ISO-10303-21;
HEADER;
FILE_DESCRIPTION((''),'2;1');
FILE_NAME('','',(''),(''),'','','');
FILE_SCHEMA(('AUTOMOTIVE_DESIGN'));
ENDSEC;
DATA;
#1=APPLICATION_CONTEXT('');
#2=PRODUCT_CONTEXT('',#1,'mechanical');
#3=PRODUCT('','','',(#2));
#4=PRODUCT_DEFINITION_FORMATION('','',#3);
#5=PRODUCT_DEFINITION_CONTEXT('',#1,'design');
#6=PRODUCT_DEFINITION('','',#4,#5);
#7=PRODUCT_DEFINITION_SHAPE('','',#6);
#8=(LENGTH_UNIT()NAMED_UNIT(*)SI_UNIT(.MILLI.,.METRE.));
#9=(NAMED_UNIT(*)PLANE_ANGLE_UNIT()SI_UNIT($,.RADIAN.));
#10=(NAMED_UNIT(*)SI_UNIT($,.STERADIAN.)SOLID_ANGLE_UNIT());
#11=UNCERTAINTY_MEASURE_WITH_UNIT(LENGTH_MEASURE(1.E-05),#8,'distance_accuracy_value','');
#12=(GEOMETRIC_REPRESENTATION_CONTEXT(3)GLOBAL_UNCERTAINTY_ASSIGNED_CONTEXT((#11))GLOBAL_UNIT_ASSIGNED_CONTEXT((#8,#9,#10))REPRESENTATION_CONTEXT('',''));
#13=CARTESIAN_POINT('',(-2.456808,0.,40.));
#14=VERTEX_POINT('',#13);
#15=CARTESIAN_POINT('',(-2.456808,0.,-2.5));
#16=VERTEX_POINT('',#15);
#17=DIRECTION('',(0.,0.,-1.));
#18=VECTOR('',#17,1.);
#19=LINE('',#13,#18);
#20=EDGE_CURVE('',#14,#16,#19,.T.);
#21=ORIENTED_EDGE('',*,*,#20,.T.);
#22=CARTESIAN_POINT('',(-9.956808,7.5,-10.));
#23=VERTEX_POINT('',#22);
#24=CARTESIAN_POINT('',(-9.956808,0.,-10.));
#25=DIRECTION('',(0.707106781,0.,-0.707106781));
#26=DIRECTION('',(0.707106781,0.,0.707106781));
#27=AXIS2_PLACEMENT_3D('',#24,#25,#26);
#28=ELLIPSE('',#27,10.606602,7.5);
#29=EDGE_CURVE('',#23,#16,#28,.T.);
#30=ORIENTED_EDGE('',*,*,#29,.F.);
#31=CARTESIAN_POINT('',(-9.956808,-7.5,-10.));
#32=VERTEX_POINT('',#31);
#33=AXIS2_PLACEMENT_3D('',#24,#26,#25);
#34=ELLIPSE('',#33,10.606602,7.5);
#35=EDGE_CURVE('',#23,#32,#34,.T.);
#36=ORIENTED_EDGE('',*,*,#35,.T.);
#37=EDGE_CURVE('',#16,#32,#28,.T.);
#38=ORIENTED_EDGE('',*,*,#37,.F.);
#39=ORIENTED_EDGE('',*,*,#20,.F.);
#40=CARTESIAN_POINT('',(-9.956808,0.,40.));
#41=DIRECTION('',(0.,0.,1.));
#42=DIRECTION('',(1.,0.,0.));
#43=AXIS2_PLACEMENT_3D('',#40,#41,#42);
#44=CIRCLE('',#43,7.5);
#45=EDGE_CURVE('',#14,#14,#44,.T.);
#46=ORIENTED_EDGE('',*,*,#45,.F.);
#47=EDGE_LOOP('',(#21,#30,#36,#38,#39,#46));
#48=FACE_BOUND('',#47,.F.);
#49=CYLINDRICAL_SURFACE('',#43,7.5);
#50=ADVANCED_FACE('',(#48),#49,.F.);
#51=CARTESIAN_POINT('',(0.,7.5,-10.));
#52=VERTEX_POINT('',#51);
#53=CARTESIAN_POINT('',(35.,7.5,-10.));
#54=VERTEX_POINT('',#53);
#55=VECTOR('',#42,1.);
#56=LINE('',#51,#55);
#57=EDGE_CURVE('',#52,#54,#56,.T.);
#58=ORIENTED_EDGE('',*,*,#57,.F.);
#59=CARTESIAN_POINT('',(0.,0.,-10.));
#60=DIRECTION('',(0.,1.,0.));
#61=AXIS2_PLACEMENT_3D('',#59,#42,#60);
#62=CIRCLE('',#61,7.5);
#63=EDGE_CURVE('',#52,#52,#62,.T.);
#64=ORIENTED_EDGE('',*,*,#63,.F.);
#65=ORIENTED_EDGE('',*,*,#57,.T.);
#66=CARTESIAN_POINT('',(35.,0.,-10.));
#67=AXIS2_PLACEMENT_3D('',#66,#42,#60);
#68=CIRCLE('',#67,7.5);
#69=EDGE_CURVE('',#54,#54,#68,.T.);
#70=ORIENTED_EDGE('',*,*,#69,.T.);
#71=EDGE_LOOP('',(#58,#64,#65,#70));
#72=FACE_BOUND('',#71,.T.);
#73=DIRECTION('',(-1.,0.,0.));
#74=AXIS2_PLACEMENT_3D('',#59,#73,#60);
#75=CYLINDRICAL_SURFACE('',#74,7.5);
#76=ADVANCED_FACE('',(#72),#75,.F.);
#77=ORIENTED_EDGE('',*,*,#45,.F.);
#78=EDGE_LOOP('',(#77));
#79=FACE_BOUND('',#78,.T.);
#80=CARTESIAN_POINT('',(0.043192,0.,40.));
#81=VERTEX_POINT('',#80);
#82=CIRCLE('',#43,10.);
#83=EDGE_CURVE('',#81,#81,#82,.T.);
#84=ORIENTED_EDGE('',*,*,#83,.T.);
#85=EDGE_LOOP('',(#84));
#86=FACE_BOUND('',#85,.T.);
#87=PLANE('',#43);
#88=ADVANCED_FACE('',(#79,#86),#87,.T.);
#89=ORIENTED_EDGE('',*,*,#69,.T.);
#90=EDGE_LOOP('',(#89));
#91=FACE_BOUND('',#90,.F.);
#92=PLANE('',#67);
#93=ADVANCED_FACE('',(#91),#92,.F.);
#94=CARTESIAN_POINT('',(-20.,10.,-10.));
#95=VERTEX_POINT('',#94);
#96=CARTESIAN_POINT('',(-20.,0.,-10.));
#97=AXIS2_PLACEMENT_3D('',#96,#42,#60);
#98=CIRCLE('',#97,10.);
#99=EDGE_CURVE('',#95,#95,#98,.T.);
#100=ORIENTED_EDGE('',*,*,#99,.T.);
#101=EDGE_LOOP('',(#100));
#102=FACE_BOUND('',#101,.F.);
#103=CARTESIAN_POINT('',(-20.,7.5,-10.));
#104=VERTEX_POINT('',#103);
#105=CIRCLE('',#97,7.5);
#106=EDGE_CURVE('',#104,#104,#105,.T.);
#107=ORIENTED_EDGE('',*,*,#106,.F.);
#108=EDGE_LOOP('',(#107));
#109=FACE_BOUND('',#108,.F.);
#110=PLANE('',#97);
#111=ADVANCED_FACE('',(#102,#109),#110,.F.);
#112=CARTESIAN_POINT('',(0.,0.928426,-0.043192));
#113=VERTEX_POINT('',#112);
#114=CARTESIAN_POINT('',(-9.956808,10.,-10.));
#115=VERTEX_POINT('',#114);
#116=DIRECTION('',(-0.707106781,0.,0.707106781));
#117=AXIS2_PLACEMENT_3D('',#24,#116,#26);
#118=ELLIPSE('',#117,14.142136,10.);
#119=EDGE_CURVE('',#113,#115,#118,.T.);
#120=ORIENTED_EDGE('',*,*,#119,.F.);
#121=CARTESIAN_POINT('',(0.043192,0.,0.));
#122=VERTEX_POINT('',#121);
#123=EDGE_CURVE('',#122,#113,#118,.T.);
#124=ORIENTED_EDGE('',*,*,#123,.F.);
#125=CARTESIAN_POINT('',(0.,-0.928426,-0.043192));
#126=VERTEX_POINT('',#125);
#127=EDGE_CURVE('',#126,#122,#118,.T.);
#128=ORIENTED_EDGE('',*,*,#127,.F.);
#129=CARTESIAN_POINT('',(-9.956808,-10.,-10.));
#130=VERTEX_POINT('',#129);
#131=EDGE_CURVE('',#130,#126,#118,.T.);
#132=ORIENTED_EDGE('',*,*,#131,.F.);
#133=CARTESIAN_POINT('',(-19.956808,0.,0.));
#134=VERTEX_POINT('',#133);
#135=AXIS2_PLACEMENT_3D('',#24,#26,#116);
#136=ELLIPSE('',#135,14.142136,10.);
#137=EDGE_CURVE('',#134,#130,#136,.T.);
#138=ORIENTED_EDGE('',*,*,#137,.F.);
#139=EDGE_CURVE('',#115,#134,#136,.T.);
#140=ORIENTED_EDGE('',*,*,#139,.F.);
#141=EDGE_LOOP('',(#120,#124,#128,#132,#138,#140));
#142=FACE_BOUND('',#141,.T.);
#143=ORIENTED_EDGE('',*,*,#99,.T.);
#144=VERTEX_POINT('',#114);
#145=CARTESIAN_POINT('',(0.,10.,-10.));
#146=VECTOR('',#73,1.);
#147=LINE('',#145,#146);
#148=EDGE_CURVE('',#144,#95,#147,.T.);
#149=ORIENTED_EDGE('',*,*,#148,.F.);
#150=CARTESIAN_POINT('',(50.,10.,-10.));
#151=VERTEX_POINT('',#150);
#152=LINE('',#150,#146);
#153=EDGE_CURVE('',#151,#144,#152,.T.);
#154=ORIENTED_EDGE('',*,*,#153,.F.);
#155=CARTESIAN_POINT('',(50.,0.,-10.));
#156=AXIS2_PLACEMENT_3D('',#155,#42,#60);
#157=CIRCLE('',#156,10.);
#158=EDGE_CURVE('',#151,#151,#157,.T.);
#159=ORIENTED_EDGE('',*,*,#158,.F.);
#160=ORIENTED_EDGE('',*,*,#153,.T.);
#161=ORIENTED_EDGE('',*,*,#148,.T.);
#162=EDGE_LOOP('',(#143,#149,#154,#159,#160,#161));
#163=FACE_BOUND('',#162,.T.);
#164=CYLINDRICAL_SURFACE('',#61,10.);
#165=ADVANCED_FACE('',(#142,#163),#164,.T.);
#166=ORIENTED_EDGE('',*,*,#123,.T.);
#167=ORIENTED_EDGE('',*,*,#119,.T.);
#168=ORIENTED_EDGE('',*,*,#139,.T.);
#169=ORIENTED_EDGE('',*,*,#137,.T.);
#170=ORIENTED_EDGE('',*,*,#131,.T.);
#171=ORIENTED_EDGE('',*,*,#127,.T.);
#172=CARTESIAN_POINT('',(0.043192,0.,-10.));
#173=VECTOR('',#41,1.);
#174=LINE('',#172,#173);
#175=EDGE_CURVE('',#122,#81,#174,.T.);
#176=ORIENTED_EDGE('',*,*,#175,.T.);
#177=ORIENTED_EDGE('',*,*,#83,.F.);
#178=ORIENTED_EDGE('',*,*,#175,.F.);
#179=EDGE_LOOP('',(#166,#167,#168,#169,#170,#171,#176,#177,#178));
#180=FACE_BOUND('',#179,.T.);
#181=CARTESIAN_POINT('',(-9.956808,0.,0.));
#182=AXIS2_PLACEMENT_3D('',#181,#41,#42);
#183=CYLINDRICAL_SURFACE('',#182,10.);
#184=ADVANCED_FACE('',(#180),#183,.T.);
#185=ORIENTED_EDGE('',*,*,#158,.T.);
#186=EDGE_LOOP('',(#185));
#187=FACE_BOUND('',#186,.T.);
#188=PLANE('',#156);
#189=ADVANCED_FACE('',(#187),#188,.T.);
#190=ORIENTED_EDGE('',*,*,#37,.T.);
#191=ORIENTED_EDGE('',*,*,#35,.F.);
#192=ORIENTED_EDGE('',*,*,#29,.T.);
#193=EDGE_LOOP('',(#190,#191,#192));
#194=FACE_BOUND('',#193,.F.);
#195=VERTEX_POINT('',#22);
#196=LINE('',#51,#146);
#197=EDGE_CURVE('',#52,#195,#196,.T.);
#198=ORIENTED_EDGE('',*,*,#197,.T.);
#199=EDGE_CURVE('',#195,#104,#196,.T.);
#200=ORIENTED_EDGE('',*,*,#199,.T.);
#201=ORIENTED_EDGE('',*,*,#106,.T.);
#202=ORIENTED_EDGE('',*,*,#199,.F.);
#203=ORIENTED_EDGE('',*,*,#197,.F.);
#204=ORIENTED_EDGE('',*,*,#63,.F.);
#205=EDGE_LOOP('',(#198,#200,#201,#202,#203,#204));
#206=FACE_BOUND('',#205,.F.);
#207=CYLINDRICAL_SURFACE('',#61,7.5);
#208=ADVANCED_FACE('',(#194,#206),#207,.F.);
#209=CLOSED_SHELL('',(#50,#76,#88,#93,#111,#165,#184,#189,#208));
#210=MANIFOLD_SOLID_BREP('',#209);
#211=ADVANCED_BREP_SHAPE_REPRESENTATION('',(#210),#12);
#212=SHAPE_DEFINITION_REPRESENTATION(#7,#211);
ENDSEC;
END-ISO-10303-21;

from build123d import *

# Parameters (mm, degrees)
F0_R          = 10
F1_DEPTH      = 40
F1_DEPTH_BACK = 10
F2_R          = 10
F3_DEPTH      = 50
F3_DEPTH_BACK = 20
F4_R          = 7.5
F5_DEPTH      = 35
F5_DEPTH_BACK = 25
F6_R          = 7.5
F7_DEPTH      = 50


with BuildPart() as f1:
    # F0 (on Top) → F1 (new body, two sides)
    with BuildSketch(Plane.XY) as f1_sk:
        with Locations((-9.956808, 0)):
            Circle(F0_R)
    extrude(amount=F1_DEPTH)
    extrude(f1_sk.sketch, amount=-F1_DEPTH_BACK)

    # F2 (on Right) → F3 (join, two sides)
    with BuildSketch(Plane.YZ) as f3_sk:
        with Locations((0, -10)):
            Circle(F2_R)
    extrude(amount=F3_DEPTH)
    extrude(f3_sk.sketch, amount=-F3_DEPTH_BACK)

    # F4 (on Right) → F5 (cut, two sides)
    with BuildSketch(Plane.YZ) as f5_sk:
        with Locations((0, -10)):
            Circle(F4_R)
    extrude(amount=F5_DEPTH, mode=Mode.SUBTRACT)
    extrude(f5_sk.sketch, amount=-F5_DEPTH_BACK, mode=Mode.SUBTRACT)

    # F6 (on face) → F7 (cut)
    with BuildSketch(Plane.XY.offset(40)):
        with Locations((-9.956808, 0)):
            Circle(F6_R)
    extrude(amount=-F7_DEPTH, mode=Mode.SUBTRACT)


solid = f1.part
